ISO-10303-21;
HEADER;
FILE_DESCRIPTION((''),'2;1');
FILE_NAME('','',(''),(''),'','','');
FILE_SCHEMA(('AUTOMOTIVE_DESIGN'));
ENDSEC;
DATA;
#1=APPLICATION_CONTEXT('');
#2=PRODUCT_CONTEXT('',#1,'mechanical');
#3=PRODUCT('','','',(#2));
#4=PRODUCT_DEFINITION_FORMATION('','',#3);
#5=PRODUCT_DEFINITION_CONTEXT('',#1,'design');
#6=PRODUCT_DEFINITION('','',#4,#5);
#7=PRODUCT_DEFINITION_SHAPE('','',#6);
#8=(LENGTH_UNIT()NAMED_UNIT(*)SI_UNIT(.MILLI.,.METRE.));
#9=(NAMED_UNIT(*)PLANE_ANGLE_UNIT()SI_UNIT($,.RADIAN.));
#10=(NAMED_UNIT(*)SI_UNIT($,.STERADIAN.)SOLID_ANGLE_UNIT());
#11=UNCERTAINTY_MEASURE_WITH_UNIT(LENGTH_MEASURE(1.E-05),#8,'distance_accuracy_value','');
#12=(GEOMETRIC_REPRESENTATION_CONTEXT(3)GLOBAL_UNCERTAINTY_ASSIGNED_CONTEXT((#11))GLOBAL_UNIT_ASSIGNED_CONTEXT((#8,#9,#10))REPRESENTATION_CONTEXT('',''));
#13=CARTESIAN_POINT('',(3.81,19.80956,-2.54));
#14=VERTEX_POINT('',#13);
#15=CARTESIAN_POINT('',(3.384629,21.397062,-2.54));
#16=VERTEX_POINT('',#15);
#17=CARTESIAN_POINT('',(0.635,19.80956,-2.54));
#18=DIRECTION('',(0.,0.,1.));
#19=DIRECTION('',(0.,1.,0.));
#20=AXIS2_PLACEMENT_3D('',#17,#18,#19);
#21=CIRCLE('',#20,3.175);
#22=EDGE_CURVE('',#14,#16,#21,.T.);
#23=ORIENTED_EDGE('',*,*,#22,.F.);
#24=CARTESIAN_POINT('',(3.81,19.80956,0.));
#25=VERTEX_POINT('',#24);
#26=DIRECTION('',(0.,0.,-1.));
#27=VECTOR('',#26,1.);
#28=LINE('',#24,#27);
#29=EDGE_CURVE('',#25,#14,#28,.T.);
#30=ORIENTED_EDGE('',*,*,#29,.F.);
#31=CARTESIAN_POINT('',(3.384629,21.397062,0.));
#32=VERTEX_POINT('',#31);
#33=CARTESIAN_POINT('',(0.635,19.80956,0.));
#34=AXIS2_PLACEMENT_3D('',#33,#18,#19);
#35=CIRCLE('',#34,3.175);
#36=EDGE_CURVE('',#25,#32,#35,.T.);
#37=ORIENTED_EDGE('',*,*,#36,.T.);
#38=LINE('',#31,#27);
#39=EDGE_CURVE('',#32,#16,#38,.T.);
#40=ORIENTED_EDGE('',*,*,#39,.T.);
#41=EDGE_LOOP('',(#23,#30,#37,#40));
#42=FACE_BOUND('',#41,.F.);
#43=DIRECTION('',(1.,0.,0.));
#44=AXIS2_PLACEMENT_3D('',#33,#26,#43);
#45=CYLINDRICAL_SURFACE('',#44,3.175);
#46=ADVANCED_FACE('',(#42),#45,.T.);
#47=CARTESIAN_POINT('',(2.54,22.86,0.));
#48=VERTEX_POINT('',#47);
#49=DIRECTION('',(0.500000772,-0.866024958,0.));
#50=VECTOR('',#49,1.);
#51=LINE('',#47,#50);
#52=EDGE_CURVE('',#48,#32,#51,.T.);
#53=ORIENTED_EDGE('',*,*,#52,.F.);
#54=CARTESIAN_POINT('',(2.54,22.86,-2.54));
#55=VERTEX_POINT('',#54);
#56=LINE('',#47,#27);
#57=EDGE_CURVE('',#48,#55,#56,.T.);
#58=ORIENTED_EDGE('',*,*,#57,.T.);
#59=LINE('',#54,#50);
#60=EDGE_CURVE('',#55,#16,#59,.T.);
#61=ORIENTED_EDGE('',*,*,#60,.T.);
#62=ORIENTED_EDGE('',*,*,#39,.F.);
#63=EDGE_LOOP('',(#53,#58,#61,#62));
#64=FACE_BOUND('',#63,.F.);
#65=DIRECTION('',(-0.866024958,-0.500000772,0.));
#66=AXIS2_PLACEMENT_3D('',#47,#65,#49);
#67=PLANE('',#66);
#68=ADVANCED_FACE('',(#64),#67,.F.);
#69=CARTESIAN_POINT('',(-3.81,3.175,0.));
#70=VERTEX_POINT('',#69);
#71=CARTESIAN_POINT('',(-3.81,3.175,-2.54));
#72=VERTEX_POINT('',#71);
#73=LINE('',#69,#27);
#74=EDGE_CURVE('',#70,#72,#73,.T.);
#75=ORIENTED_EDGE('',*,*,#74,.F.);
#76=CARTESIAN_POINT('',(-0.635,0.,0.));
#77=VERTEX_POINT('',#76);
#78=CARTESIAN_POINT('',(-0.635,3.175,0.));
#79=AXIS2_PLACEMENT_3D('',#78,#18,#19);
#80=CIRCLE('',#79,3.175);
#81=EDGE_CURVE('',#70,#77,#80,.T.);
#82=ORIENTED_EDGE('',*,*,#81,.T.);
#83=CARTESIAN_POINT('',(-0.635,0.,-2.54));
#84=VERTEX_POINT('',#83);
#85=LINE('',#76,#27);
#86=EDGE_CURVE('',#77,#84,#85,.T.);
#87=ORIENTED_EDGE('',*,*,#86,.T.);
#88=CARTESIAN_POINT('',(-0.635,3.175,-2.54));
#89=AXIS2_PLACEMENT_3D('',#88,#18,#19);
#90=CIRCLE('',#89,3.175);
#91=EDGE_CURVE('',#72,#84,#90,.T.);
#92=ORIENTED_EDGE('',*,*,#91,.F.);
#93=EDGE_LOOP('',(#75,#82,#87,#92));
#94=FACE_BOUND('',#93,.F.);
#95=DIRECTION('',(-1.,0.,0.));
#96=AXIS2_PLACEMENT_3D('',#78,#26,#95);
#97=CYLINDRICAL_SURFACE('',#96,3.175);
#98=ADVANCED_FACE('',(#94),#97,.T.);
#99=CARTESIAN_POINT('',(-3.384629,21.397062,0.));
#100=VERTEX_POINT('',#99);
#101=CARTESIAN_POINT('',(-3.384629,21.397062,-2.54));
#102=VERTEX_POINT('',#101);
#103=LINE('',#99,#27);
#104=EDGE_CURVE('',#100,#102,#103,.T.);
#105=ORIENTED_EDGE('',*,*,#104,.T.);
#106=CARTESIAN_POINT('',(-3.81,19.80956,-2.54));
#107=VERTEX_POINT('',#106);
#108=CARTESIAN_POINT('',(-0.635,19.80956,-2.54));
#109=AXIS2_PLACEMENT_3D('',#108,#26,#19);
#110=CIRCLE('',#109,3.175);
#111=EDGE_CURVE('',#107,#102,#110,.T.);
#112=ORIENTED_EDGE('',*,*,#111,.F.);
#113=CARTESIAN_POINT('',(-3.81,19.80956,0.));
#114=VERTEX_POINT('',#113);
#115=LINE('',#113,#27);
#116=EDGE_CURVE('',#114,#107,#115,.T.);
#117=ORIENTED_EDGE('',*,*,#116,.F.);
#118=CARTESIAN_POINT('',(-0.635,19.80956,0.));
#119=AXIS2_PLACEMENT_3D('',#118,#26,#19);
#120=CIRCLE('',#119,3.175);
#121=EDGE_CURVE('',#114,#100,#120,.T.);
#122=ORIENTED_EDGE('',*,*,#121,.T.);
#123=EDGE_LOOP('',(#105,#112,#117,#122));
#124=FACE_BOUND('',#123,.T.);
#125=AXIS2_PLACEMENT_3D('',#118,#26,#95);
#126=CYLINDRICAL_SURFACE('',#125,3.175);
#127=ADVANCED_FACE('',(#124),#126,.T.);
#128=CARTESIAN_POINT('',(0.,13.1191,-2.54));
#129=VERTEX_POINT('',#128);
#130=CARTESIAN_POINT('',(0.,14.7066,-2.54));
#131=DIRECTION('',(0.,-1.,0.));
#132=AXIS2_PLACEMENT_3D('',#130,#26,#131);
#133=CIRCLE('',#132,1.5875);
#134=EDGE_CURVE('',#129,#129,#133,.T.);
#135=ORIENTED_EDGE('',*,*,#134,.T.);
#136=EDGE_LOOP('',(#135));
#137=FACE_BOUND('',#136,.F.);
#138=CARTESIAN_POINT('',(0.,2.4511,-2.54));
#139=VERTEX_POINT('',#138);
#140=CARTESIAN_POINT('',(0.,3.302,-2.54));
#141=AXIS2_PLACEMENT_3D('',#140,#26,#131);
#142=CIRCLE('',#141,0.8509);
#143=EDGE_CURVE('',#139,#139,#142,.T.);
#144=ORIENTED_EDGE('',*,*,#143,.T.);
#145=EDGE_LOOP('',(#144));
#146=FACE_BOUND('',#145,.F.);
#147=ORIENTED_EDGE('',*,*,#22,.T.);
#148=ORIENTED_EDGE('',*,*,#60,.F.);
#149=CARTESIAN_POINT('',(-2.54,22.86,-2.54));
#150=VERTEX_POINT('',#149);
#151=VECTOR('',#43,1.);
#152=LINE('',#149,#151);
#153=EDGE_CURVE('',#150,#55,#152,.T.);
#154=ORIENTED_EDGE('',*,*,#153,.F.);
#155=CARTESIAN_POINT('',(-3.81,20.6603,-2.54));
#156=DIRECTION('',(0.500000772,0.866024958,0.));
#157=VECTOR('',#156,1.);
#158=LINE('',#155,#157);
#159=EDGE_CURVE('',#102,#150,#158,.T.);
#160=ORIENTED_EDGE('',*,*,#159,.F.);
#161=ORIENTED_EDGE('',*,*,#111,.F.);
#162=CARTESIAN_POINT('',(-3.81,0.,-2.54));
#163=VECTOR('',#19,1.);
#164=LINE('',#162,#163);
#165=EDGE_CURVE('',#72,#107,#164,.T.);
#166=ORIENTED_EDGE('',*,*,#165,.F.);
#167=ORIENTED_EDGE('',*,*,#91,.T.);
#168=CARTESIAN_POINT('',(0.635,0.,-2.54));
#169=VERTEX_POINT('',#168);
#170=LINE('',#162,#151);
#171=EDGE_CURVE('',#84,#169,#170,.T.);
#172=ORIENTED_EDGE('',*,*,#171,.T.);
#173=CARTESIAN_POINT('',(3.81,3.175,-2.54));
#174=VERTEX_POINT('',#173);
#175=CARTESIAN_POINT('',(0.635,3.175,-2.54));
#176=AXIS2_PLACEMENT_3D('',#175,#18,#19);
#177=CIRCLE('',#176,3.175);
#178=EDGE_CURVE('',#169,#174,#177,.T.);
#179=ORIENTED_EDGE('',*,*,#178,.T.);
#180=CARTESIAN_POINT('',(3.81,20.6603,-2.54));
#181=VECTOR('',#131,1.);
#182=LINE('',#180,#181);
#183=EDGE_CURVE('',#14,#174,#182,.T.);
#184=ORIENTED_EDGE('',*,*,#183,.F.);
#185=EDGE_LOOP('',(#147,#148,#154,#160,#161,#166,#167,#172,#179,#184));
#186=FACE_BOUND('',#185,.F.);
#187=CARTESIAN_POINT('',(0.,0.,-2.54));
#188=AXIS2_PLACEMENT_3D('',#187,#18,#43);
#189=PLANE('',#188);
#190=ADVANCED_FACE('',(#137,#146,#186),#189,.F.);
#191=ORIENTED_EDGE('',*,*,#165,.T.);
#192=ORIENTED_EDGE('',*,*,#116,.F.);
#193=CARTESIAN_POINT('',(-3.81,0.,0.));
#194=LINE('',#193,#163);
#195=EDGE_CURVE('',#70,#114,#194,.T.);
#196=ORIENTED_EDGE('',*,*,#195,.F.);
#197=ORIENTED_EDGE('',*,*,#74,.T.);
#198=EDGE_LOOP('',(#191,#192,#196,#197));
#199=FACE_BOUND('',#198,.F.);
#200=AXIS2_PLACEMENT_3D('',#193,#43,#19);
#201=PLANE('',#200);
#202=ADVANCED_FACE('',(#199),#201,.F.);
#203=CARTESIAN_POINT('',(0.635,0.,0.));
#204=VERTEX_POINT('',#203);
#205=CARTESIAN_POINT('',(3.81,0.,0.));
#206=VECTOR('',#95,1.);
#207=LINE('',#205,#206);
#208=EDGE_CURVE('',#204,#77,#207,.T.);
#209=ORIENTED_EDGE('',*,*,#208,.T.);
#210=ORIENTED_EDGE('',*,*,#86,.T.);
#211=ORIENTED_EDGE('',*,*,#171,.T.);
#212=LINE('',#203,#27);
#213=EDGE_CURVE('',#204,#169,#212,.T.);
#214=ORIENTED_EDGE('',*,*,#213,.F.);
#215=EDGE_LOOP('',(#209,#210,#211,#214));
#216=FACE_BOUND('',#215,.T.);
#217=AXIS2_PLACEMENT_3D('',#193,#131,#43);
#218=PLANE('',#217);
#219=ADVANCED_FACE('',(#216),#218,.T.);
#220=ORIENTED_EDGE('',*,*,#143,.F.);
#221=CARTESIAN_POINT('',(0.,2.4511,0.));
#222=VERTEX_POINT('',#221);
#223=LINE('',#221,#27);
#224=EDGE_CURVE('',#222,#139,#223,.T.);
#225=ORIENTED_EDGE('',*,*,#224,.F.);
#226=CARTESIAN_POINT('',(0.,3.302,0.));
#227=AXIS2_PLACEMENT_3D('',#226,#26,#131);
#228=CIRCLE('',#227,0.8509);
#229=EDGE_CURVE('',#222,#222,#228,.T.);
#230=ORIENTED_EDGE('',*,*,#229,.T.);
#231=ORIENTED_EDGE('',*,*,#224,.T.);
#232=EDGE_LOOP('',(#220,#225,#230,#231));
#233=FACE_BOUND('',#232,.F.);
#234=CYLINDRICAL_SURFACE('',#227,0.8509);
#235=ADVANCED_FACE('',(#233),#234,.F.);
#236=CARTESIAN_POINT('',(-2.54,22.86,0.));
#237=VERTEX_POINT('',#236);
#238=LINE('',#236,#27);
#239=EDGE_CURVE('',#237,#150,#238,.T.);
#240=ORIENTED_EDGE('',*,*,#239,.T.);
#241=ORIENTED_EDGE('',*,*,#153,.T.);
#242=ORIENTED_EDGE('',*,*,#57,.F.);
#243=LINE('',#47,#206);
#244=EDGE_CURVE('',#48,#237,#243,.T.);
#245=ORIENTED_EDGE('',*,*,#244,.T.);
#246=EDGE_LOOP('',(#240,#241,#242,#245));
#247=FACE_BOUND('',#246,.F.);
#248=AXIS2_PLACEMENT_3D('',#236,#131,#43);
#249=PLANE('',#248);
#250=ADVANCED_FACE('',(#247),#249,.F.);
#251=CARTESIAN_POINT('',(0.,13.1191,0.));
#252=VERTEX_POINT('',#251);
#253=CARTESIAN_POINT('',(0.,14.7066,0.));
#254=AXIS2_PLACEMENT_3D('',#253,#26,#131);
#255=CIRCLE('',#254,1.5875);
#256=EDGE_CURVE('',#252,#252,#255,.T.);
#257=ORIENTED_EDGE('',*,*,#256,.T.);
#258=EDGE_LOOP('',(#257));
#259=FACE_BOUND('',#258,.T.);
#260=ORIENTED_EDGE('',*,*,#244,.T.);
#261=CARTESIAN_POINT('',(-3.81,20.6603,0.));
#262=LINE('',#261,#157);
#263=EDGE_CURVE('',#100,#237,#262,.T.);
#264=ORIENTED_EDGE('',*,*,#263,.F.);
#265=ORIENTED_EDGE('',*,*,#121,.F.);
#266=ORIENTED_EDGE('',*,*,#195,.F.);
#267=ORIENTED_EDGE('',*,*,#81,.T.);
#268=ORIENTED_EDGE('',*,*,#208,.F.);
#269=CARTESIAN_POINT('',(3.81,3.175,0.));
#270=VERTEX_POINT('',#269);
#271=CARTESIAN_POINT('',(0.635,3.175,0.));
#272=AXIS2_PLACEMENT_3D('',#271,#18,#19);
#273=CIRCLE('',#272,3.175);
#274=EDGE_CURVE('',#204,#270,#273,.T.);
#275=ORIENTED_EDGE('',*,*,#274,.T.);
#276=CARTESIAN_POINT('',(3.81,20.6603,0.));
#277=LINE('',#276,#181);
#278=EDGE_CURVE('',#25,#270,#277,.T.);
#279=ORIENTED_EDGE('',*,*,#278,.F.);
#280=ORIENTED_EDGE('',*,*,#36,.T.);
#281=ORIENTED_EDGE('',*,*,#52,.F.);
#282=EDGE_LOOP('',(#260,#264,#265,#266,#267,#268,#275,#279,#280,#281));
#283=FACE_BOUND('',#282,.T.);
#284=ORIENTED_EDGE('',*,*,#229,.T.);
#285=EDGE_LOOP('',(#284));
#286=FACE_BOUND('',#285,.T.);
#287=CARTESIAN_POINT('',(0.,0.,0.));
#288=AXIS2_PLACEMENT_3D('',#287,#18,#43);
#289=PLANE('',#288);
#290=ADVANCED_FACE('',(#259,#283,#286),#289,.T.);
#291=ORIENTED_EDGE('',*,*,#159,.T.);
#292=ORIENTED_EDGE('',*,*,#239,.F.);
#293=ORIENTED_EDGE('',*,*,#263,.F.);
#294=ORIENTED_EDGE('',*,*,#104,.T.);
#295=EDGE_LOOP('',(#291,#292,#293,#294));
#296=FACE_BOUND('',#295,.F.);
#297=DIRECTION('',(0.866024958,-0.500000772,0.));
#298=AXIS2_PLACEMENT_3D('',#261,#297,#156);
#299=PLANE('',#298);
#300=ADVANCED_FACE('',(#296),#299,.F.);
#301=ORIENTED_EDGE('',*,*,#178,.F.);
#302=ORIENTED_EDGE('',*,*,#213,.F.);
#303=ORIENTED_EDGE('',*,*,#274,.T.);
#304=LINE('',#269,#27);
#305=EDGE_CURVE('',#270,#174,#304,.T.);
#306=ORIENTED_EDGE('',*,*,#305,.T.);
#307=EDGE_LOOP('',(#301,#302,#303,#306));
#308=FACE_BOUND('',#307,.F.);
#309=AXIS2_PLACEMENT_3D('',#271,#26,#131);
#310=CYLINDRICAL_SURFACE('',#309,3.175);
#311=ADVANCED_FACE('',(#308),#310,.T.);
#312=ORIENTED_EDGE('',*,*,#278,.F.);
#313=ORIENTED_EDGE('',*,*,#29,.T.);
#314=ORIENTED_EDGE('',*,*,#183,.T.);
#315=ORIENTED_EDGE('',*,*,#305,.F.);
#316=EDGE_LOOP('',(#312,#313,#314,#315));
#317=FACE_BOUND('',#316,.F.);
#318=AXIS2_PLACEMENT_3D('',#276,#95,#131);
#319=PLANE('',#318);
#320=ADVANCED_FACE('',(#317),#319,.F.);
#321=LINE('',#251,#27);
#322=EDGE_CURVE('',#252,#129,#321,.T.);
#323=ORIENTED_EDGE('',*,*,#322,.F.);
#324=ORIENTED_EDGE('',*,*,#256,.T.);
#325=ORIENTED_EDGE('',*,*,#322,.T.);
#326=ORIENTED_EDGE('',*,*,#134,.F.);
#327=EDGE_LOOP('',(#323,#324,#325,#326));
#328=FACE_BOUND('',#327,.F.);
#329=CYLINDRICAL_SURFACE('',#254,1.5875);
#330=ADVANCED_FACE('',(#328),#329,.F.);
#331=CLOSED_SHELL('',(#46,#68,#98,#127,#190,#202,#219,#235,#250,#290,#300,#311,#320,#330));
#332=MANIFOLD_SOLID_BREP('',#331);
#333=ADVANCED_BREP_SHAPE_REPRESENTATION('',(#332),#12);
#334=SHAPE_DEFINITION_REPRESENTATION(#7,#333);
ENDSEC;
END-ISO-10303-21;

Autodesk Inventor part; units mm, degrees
ref_plane "YZ Plane" through (0, 0, 0) normal (1, 0, 0) x (0, 1, 0)
ref_plane "XZ Plane" through (0, 0, 0) normal (0, 1, 0) x (-1, 0, 0)
ref_plane "XY Plane" through (0, 0, 0) normal (0, 0, 1) x (1, 0, 0)
sketch "Sketch1" plane through (0, 0, 0) normal (0, 0, 1) x (1, 0, 0)
  line L0 (-5.334, 0) -> (5.334, 0) projected
  line L1 (0, -4.572) -> (0, 27.432) projected
  line L2 (3.81, 0) -> (-3.81, 0)
  line L3 (-3.81, 0) -> (-3.81, 20.6603)
  line L4 (3.81, 20.6603) -> (3.81, 0)
  line L5 (-3.81, 20.6603) -> (-2.54, 22.86)
  line L6 (-2.54, 22.86) -> (2.54, 22.86)
  line L7 (2.54, 22.86) -> (3.81, 20.6603)
  point P0 (0, 0)
  point P1 (0, 0)
  point P2 (0, 22.86)
  dimension "d0" = 22.86
  dimension "d1" = 5.08
  dimension "d2" = 60
  dimension "d3" = 7.62
extrude "Extrusion1" add sketch "Sketch1" against normal blind 2.54
sketch "Sketch2" plane through (0, 0, 0) normal (0, 0, 1) x (1, 0, 0)
  line L0 (0, -4.572) -> (0, 27.432) projected
  line L1 (2.54, 22.86) -> (-2.54, 22.86) projected
  point P0 (0, 0)
  point P1 (0, 14.7066)
  dimension "d18" = 8.1534
hole "Hole1" at (0, 14.7066, 0) direction (0, 0, -1) diameter 3.175 end through all
fillet "Fillet1" radius 3.175 4 edges at (3.81, 0, -1.27) (-3.81, 0, -1.27) (3.81, 20.6603, -1.27) (-3.81, 20.6603, -1.27)
sketch "Sketch3" plane through (0, 0, 0) normal (0, 0, 1) x (1, 0, 0)
  point P0 (0, 0)
  point P1 (0, 3.302)
  dimension "d31" = 3.302
hole "Hole3" at (0, 3.302, 0) direction (0, 0, -1) diameter 1.7018 end through all
properties part number "plate_02 for metal"
